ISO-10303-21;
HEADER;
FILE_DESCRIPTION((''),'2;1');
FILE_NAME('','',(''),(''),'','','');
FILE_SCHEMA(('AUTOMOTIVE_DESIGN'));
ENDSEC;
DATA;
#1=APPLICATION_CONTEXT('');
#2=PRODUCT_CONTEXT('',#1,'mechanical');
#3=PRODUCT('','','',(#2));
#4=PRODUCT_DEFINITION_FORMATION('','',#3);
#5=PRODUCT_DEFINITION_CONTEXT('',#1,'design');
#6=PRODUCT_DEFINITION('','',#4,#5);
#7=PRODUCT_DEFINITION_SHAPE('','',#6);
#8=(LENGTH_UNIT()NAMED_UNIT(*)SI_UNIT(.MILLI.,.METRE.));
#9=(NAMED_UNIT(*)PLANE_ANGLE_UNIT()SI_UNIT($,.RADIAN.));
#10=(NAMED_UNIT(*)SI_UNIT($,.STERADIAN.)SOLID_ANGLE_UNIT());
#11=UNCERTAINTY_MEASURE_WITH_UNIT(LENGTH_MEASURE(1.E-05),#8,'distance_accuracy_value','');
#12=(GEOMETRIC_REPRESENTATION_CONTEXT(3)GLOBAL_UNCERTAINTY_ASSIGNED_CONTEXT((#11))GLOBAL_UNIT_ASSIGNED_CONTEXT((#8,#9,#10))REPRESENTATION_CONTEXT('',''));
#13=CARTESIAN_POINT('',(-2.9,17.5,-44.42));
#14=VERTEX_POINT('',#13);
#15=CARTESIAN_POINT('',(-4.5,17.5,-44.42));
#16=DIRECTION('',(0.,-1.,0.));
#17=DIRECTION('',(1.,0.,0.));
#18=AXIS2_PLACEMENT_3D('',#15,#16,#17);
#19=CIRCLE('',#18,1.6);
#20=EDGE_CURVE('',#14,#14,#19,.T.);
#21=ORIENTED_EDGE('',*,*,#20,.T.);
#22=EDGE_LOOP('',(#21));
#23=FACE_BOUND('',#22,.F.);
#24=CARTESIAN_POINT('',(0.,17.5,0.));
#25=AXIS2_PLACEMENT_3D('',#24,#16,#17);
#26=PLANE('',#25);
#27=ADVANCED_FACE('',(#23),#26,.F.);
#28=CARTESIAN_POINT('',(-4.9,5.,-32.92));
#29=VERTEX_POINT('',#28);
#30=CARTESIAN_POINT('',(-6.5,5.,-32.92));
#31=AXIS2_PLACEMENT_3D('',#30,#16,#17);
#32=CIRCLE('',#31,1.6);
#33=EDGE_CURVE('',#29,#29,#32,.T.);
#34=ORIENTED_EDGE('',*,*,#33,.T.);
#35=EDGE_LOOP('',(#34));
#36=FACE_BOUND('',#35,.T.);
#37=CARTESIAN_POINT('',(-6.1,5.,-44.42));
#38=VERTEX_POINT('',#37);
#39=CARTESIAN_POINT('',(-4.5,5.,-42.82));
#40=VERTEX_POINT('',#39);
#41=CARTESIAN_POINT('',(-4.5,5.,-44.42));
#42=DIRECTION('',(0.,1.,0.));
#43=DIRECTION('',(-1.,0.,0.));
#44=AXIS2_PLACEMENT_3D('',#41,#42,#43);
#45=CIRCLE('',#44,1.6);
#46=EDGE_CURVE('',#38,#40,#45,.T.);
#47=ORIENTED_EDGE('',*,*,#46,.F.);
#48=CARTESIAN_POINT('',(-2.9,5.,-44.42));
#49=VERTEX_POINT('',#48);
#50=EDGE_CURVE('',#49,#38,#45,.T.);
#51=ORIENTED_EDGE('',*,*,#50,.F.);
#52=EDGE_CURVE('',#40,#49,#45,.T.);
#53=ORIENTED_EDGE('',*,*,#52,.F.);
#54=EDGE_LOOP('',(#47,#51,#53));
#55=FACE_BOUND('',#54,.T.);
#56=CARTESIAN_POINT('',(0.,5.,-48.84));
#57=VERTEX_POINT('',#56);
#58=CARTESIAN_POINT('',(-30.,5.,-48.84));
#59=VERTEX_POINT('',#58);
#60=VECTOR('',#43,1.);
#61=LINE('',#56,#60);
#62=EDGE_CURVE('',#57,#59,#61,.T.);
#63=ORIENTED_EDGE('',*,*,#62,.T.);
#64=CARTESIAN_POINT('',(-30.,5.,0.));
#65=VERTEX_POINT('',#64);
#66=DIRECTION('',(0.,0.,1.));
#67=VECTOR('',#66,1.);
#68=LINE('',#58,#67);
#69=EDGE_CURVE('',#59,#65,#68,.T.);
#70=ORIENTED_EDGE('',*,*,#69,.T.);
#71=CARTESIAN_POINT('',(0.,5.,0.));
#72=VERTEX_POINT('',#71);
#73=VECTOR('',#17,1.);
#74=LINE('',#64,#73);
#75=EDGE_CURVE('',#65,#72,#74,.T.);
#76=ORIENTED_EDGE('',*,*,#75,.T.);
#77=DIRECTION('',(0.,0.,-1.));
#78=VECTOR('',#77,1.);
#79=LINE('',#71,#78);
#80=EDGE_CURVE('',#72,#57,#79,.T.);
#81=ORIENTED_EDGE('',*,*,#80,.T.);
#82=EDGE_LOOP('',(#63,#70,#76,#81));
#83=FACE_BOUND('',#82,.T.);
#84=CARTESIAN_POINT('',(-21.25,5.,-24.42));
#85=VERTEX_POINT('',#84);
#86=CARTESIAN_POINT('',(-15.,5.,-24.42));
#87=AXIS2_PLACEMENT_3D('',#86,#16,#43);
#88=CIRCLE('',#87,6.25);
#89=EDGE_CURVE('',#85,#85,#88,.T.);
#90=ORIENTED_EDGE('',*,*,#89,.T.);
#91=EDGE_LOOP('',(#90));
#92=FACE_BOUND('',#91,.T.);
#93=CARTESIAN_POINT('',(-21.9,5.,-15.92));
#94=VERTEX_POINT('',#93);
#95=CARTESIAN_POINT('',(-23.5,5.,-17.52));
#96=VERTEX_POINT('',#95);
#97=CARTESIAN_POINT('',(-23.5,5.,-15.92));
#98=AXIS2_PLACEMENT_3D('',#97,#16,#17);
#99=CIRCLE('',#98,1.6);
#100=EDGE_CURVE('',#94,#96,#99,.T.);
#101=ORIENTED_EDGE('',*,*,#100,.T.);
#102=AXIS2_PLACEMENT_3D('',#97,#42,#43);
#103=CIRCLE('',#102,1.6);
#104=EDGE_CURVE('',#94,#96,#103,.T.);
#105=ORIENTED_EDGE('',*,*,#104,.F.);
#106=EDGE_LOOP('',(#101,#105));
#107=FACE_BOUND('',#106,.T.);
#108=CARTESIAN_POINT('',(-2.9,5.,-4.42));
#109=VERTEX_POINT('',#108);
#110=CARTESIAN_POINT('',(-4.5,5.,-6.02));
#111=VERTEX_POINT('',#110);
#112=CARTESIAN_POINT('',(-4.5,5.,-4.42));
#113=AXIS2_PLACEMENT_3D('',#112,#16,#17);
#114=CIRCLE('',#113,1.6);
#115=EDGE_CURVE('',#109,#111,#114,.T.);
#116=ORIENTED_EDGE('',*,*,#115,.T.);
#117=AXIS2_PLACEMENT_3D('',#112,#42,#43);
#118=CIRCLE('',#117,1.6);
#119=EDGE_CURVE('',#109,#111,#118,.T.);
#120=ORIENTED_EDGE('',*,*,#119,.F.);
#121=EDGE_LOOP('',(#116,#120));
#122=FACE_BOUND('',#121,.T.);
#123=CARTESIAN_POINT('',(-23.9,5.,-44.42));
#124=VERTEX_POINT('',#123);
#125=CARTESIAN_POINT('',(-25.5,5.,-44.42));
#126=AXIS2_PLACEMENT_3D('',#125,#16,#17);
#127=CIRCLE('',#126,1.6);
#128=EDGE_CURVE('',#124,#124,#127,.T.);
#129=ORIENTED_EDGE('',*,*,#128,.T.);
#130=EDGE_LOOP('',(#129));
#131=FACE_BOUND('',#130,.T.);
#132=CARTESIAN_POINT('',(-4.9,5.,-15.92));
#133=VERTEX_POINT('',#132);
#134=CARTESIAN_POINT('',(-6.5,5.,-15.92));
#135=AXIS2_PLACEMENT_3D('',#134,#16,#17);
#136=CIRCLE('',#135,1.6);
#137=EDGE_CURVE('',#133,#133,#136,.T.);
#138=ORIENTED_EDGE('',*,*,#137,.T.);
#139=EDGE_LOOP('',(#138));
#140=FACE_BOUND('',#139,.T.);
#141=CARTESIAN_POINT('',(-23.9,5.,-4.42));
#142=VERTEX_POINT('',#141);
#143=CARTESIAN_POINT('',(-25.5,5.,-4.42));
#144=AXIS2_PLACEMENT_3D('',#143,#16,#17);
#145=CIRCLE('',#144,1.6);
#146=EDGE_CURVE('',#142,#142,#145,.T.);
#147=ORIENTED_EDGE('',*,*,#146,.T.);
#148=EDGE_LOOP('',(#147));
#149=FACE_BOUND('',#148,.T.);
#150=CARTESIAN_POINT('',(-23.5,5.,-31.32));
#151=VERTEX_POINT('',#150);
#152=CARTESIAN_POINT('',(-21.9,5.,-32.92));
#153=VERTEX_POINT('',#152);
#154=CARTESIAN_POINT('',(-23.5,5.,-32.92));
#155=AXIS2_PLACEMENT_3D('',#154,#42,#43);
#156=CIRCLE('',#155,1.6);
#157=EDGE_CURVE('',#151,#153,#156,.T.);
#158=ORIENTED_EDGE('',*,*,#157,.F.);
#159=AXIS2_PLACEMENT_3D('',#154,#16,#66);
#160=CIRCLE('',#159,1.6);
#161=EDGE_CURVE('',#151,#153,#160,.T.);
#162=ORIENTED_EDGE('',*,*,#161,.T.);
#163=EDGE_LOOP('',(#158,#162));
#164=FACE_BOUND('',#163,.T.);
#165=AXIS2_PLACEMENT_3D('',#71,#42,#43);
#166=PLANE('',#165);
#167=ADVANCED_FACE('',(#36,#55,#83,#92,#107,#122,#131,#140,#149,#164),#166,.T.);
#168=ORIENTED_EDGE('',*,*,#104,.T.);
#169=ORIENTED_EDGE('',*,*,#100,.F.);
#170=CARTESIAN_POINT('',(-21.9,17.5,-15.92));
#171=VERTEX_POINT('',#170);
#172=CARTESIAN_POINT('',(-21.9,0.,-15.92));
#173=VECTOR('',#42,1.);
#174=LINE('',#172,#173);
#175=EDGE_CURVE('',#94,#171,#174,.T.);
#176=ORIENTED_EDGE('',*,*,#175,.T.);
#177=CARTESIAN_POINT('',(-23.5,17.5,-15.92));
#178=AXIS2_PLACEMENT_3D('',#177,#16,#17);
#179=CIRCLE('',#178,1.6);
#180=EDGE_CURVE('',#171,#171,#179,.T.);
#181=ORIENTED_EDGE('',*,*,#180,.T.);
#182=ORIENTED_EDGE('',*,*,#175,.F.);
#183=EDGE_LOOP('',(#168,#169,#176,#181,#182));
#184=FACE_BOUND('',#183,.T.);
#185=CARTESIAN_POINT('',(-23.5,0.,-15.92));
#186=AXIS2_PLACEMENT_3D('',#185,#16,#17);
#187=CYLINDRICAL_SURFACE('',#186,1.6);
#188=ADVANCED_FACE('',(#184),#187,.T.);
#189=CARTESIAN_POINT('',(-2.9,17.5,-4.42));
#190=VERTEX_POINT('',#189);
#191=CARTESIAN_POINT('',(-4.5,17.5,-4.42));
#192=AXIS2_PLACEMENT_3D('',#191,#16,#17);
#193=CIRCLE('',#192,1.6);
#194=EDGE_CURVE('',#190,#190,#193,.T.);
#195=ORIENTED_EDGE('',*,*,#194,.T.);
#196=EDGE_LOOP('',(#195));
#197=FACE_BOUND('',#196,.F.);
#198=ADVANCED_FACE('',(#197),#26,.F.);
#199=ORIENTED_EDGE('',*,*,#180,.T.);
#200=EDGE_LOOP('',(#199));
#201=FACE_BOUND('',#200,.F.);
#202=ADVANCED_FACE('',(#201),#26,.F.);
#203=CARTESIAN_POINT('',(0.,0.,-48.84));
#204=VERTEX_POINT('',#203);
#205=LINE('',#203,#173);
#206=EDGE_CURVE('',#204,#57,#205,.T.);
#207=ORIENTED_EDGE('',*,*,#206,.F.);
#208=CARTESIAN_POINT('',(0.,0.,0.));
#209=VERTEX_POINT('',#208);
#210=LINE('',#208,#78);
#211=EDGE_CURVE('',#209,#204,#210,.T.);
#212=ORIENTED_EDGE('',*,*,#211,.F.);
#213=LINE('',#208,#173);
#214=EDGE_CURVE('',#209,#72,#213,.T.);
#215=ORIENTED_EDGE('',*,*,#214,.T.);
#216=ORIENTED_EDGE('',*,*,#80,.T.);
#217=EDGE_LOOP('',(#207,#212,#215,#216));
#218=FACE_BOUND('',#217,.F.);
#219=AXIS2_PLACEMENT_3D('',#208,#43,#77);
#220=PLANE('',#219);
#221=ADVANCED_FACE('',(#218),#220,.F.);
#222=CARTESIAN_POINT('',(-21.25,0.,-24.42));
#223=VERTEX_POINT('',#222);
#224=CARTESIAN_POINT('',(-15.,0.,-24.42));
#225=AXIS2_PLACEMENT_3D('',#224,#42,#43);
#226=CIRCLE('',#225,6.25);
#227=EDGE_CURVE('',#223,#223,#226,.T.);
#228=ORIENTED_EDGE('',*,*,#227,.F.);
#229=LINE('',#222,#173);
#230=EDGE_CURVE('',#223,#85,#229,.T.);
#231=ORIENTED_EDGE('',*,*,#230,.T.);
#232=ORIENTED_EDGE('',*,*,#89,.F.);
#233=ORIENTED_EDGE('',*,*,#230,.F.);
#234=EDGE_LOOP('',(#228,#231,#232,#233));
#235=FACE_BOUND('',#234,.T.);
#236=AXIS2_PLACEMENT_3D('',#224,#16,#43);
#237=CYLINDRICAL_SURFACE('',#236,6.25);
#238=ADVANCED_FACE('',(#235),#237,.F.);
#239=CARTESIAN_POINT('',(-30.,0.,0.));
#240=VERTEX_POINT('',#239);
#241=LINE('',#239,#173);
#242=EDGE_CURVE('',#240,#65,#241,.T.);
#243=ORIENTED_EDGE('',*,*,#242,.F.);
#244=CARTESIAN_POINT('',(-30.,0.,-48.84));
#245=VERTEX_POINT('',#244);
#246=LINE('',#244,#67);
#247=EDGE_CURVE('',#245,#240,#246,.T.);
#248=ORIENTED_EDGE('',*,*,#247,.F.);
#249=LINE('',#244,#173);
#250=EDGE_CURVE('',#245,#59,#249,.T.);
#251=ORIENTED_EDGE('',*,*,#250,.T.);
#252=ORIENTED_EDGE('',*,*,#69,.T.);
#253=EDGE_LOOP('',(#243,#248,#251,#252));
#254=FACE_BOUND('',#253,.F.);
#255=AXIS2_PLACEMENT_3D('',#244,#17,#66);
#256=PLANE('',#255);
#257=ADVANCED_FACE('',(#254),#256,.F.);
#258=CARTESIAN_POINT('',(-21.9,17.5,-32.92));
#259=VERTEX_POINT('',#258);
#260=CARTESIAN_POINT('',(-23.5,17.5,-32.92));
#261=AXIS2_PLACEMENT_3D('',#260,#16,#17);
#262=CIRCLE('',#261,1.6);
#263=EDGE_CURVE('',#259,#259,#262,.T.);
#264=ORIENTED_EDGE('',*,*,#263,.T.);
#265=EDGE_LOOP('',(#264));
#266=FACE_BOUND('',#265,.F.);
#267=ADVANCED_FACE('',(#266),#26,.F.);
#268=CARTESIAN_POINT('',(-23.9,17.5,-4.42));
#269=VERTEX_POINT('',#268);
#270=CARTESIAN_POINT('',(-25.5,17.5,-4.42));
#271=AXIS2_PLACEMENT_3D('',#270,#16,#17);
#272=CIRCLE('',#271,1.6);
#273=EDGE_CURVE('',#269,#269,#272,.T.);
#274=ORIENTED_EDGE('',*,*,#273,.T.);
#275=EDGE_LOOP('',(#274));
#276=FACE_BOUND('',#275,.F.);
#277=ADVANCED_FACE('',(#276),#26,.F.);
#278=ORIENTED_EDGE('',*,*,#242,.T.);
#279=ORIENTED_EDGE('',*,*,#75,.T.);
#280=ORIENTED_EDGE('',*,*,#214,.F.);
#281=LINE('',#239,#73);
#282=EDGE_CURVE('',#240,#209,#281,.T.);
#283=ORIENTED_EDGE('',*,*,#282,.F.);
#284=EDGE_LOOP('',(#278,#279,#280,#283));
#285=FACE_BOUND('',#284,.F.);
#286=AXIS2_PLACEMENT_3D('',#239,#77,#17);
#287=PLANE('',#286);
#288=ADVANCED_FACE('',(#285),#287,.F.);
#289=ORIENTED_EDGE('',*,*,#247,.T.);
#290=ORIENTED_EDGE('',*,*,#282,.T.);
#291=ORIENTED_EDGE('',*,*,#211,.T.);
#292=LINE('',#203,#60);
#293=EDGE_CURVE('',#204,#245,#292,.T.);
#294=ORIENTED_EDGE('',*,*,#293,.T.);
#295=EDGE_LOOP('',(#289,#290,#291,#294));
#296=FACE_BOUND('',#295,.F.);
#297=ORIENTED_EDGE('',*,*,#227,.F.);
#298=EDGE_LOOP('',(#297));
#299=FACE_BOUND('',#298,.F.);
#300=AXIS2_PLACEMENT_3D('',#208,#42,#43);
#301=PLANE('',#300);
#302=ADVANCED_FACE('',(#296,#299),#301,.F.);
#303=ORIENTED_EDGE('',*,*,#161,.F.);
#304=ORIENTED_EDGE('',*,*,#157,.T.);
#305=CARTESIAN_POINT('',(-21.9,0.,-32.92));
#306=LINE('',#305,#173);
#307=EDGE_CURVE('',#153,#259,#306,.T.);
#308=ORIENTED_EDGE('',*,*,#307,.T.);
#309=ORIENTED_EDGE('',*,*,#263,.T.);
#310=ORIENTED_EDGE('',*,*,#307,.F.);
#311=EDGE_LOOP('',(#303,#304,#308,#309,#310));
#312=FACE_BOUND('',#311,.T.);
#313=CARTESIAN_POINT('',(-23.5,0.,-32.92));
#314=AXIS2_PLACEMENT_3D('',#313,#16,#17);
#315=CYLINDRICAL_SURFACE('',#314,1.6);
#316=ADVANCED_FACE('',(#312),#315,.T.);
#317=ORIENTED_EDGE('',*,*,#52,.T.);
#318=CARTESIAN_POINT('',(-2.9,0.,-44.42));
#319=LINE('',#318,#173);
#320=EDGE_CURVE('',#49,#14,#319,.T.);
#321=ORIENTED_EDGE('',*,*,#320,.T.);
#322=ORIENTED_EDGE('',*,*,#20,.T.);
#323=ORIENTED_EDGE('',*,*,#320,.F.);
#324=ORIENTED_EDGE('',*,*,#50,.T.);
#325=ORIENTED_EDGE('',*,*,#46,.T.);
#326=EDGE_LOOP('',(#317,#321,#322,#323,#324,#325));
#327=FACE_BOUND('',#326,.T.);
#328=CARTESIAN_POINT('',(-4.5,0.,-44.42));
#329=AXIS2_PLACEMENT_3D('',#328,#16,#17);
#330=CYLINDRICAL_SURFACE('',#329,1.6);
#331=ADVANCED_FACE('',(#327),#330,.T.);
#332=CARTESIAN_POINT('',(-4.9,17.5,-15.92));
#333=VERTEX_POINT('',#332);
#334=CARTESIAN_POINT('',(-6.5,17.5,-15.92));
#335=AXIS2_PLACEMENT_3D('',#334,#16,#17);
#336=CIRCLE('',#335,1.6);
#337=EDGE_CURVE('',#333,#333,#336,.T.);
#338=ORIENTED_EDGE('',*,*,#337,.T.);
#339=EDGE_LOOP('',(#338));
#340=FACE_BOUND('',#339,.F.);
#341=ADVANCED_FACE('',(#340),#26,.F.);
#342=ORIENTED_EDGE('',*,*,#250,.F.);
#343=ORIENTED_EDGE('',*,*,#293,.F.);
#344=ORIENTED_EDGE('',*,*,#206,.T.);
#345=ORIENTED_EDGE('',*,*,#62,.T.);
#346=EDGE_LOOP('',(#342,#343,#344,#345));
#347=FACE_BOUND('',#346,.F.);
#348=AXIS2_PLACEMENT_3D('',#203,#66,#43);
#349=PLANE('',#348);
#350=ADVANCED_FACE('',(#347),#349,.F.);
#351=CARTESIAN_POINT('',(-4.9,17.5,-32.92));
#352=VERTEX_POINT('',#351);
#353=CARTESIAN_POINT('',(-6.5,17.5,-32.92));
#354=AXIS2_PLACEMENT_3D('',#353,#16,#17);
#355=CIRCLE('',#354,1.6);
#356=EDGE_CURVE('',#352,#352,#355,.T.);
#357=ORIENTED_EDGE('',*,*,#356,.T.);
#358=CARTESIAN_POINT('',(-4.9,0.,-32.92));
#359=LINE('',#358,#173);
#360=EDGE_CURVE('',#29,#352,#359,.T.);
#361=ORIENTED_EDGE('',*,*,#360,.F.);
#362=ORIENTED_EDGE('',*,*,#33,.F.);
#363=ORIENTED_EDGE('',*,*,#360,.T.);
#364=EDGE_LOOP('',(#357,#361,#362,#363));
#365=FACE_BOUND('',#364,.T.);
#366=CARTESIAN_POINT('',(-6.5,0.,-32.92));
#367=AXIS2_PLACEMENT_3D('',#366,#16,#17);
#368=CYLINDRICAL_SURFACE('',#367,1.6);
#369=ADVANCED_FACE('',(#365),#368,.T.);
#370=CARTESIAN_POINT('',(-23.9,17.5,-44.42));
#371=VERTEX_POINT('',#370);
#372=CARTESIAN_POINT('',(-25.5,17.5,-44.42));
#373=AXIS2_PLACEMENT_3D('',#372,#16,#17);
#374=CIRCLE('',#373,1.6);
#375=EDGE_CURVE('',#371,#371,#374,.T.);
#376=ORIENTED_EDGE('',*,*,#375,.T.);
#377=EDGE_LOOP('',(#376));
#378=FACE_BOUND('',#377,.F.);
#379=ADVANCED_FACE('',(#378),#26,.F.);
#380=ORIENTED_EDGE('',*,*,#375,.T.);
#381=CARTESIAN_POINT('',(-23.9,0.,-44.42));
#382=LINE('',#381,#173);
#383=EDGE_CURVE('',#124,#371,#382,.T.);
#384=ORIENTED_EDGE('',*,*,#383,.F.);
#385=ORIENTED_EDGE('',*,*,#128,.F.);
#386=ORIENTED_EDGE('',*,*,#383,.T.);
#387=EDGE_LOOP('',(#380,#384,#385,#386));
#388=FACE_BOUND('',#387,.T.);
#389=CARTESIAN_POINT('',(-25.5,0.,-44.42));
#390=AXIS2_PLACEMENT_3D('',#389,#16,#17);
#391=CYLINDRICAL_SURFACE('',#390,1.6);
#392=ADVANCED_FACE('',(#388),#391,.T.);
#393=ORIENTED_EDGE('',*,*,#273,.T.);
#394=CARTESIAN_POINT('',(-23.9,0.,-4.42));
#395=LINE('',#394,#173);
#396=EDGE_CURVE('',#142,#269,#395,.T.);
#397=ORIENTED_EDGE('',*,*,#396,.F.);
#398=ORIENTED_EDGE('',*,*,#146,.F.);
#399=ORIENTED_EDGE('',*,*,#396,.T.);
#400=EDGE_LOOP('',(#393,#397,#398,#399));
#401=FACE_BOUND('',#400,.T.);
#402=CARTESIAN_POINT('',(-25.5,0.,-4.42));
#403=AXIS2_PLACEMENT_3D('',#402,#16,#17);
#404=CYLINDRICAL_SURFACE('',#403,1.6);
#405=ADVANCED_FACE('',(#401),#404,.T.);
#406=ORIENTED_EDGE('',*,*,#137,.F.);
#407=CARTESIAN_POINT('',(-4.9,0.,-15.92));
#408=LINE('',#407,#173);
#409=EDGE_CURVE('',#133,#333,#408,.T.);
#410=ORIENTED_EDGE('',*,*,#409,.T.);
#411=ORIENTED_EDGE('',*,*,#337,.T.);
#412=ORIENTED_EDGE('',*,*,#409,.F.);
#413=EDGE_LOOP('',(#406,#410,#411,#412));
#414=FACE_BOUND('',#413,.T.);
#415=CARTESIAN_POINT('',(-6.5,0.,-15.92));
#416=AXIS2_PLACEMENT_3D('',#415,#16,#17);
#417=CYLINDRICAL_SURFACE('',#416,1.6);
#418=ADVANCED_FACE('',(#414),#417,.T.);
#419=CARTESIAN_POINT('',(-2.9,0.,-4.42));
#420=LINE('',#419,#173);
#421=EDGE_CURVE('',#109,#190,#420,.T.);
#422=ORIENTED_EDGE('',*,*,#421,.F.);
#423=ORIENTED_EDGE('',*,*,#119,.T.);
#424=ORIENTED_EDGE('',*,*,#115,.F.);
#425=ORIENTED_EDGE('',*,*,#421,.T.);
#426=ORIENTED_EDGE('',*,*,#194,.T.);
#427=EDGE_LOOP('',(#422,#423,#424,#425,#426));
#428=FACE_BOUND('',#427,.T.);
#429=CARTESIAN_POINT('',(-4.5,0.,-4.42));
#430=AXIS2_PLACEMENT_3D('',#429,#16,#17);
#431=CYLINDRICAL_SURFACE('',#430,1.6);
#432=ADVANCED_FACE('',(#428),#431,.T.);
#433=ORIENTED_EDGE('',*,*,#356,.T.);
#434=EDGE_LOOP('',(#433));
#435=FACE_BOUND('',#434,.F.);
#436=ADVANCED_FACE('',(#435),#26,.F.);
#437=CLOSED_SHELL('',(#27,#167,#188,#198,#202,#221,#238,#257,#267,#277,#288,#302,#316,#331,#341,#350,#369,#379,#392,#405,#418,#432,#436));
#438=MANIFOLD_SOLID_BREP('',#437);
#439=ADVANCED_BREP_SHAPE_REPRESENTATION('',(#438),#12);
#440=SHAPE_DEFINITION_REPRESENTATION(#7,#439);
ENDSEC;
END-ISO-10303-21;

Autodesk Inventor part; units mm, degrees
ref_plane "YZ Plane" through (0, 0, 0) normal (1, 0, 0) x (0, 1, 0)
ref_plane "XZ Plane" through (0, 0, 0) normal (0, 1, 0) x (-1, 0, 0)
ref_plane "XY Plane" through (0, 0, 0) normal (0, 0, 1) x (1, 0, 0)
sketch "Sketch1" plane through (0, 0, 0) normal (0, 1, 0) x (-1, 0, 0)
  line L0 (0, 0) -> (0, -48.84)
  line L1 (0, -48.84) -> (30, -48.84)
  line L2 (30, -48.84) -> (30, 0)
  line L3 (30, 0) -> (0, 0)
  circle A0 centre (4.5, -44.42) radius 1.6
  circle A1 centre (25.5, -44.42) radius 1.6
  circle A2 centre (15, -24.42) radius 6.25
  circle A3 centre (6.5, -32.92) radius 1.6
  circle A4 centre (23.5, -32.92) radius 1.6
  circle A5 centre (6.5, -15.92) radius 1.6
  circle A6 centre (23.5, -15.92) radius 1.6
  circle A7 centre (4.5, -4.42) radius 1.6
  circle A8 centre (25.5, -4.42) radius 1.6
  line L4 (23.5, -32.92) -> (23.5, -15.92)
  line L5 (23.5, -24.42) -> (6.5, -24.42)
  line L6 (25.5, -44.42) -> (4.5, -44.42)
  line L7 (4.5, -44.42) -> (4.5, -4.42)
  point P0 (30, -24.42)
  point P1 (15, -48.84)
  point P2 (15, -24.42)
  point P3 (4.5, -24.42)
  point P4 (0, -24.42)
  point P5 (15, -44.42)
  dimension "d0" = 48.84
  dimension "d1" = 30
  dimension "d2" = 12.5
  dimension "d3" = 17
  dimension "d4" = 17
  dimension "d5" = 3.2
  dimension "d6" = 21
  dimension "d7" = 40
extrude "Extrusion1" add sketch "Sketch1" along normal blind 5
sketch "Sketch2" plane through (0, 0, 0) normal (0, -1, 0) x (1, 0, 0)
  circle A0 centre (-23.5, -15.92) radius 1.6 construction
  circle A1 centre (-4.5, -4.42) radius 1.6 construction
  circle A2 centre (-25.5, -44.42) radius 1.6 construction
  circle A3 centre (-25.5, -4.42) radius 1.6 construction
  circle A4 centre (-4.5, -44.42) radius 1.6 construction
  circle A5 centre (-6.5, -32.92) radius 1.6 construction
  circle A6 centre (-23.5, -32.92) radius 1.6 construction
  circle A7 centre (-6.5, -15.92) radius 1.6 construction
  circle A8 centre (-4.5, -44.42) radius 1.6
  circle A9 centre (-6.5, -32.92) radius 1.6
  circle A10 centre (-6.5, -15.92) radius 1.6
  circle A11 centre (-4.5, -4.42) radius 1.6
  circle A12 centre (-25.5, -4.42) radius 1.6
  circle A13 centre (-23.5, -15.92) radius 1.6
  circle A14 centre (-23.5, -32.92) radius 1.6
  circle A15 centre (-25.5, -44.42) radius 1.6
extrude "Extrusion2" add sketch "Sketch2" against normal blind 17.5
properties part number "Plate"
